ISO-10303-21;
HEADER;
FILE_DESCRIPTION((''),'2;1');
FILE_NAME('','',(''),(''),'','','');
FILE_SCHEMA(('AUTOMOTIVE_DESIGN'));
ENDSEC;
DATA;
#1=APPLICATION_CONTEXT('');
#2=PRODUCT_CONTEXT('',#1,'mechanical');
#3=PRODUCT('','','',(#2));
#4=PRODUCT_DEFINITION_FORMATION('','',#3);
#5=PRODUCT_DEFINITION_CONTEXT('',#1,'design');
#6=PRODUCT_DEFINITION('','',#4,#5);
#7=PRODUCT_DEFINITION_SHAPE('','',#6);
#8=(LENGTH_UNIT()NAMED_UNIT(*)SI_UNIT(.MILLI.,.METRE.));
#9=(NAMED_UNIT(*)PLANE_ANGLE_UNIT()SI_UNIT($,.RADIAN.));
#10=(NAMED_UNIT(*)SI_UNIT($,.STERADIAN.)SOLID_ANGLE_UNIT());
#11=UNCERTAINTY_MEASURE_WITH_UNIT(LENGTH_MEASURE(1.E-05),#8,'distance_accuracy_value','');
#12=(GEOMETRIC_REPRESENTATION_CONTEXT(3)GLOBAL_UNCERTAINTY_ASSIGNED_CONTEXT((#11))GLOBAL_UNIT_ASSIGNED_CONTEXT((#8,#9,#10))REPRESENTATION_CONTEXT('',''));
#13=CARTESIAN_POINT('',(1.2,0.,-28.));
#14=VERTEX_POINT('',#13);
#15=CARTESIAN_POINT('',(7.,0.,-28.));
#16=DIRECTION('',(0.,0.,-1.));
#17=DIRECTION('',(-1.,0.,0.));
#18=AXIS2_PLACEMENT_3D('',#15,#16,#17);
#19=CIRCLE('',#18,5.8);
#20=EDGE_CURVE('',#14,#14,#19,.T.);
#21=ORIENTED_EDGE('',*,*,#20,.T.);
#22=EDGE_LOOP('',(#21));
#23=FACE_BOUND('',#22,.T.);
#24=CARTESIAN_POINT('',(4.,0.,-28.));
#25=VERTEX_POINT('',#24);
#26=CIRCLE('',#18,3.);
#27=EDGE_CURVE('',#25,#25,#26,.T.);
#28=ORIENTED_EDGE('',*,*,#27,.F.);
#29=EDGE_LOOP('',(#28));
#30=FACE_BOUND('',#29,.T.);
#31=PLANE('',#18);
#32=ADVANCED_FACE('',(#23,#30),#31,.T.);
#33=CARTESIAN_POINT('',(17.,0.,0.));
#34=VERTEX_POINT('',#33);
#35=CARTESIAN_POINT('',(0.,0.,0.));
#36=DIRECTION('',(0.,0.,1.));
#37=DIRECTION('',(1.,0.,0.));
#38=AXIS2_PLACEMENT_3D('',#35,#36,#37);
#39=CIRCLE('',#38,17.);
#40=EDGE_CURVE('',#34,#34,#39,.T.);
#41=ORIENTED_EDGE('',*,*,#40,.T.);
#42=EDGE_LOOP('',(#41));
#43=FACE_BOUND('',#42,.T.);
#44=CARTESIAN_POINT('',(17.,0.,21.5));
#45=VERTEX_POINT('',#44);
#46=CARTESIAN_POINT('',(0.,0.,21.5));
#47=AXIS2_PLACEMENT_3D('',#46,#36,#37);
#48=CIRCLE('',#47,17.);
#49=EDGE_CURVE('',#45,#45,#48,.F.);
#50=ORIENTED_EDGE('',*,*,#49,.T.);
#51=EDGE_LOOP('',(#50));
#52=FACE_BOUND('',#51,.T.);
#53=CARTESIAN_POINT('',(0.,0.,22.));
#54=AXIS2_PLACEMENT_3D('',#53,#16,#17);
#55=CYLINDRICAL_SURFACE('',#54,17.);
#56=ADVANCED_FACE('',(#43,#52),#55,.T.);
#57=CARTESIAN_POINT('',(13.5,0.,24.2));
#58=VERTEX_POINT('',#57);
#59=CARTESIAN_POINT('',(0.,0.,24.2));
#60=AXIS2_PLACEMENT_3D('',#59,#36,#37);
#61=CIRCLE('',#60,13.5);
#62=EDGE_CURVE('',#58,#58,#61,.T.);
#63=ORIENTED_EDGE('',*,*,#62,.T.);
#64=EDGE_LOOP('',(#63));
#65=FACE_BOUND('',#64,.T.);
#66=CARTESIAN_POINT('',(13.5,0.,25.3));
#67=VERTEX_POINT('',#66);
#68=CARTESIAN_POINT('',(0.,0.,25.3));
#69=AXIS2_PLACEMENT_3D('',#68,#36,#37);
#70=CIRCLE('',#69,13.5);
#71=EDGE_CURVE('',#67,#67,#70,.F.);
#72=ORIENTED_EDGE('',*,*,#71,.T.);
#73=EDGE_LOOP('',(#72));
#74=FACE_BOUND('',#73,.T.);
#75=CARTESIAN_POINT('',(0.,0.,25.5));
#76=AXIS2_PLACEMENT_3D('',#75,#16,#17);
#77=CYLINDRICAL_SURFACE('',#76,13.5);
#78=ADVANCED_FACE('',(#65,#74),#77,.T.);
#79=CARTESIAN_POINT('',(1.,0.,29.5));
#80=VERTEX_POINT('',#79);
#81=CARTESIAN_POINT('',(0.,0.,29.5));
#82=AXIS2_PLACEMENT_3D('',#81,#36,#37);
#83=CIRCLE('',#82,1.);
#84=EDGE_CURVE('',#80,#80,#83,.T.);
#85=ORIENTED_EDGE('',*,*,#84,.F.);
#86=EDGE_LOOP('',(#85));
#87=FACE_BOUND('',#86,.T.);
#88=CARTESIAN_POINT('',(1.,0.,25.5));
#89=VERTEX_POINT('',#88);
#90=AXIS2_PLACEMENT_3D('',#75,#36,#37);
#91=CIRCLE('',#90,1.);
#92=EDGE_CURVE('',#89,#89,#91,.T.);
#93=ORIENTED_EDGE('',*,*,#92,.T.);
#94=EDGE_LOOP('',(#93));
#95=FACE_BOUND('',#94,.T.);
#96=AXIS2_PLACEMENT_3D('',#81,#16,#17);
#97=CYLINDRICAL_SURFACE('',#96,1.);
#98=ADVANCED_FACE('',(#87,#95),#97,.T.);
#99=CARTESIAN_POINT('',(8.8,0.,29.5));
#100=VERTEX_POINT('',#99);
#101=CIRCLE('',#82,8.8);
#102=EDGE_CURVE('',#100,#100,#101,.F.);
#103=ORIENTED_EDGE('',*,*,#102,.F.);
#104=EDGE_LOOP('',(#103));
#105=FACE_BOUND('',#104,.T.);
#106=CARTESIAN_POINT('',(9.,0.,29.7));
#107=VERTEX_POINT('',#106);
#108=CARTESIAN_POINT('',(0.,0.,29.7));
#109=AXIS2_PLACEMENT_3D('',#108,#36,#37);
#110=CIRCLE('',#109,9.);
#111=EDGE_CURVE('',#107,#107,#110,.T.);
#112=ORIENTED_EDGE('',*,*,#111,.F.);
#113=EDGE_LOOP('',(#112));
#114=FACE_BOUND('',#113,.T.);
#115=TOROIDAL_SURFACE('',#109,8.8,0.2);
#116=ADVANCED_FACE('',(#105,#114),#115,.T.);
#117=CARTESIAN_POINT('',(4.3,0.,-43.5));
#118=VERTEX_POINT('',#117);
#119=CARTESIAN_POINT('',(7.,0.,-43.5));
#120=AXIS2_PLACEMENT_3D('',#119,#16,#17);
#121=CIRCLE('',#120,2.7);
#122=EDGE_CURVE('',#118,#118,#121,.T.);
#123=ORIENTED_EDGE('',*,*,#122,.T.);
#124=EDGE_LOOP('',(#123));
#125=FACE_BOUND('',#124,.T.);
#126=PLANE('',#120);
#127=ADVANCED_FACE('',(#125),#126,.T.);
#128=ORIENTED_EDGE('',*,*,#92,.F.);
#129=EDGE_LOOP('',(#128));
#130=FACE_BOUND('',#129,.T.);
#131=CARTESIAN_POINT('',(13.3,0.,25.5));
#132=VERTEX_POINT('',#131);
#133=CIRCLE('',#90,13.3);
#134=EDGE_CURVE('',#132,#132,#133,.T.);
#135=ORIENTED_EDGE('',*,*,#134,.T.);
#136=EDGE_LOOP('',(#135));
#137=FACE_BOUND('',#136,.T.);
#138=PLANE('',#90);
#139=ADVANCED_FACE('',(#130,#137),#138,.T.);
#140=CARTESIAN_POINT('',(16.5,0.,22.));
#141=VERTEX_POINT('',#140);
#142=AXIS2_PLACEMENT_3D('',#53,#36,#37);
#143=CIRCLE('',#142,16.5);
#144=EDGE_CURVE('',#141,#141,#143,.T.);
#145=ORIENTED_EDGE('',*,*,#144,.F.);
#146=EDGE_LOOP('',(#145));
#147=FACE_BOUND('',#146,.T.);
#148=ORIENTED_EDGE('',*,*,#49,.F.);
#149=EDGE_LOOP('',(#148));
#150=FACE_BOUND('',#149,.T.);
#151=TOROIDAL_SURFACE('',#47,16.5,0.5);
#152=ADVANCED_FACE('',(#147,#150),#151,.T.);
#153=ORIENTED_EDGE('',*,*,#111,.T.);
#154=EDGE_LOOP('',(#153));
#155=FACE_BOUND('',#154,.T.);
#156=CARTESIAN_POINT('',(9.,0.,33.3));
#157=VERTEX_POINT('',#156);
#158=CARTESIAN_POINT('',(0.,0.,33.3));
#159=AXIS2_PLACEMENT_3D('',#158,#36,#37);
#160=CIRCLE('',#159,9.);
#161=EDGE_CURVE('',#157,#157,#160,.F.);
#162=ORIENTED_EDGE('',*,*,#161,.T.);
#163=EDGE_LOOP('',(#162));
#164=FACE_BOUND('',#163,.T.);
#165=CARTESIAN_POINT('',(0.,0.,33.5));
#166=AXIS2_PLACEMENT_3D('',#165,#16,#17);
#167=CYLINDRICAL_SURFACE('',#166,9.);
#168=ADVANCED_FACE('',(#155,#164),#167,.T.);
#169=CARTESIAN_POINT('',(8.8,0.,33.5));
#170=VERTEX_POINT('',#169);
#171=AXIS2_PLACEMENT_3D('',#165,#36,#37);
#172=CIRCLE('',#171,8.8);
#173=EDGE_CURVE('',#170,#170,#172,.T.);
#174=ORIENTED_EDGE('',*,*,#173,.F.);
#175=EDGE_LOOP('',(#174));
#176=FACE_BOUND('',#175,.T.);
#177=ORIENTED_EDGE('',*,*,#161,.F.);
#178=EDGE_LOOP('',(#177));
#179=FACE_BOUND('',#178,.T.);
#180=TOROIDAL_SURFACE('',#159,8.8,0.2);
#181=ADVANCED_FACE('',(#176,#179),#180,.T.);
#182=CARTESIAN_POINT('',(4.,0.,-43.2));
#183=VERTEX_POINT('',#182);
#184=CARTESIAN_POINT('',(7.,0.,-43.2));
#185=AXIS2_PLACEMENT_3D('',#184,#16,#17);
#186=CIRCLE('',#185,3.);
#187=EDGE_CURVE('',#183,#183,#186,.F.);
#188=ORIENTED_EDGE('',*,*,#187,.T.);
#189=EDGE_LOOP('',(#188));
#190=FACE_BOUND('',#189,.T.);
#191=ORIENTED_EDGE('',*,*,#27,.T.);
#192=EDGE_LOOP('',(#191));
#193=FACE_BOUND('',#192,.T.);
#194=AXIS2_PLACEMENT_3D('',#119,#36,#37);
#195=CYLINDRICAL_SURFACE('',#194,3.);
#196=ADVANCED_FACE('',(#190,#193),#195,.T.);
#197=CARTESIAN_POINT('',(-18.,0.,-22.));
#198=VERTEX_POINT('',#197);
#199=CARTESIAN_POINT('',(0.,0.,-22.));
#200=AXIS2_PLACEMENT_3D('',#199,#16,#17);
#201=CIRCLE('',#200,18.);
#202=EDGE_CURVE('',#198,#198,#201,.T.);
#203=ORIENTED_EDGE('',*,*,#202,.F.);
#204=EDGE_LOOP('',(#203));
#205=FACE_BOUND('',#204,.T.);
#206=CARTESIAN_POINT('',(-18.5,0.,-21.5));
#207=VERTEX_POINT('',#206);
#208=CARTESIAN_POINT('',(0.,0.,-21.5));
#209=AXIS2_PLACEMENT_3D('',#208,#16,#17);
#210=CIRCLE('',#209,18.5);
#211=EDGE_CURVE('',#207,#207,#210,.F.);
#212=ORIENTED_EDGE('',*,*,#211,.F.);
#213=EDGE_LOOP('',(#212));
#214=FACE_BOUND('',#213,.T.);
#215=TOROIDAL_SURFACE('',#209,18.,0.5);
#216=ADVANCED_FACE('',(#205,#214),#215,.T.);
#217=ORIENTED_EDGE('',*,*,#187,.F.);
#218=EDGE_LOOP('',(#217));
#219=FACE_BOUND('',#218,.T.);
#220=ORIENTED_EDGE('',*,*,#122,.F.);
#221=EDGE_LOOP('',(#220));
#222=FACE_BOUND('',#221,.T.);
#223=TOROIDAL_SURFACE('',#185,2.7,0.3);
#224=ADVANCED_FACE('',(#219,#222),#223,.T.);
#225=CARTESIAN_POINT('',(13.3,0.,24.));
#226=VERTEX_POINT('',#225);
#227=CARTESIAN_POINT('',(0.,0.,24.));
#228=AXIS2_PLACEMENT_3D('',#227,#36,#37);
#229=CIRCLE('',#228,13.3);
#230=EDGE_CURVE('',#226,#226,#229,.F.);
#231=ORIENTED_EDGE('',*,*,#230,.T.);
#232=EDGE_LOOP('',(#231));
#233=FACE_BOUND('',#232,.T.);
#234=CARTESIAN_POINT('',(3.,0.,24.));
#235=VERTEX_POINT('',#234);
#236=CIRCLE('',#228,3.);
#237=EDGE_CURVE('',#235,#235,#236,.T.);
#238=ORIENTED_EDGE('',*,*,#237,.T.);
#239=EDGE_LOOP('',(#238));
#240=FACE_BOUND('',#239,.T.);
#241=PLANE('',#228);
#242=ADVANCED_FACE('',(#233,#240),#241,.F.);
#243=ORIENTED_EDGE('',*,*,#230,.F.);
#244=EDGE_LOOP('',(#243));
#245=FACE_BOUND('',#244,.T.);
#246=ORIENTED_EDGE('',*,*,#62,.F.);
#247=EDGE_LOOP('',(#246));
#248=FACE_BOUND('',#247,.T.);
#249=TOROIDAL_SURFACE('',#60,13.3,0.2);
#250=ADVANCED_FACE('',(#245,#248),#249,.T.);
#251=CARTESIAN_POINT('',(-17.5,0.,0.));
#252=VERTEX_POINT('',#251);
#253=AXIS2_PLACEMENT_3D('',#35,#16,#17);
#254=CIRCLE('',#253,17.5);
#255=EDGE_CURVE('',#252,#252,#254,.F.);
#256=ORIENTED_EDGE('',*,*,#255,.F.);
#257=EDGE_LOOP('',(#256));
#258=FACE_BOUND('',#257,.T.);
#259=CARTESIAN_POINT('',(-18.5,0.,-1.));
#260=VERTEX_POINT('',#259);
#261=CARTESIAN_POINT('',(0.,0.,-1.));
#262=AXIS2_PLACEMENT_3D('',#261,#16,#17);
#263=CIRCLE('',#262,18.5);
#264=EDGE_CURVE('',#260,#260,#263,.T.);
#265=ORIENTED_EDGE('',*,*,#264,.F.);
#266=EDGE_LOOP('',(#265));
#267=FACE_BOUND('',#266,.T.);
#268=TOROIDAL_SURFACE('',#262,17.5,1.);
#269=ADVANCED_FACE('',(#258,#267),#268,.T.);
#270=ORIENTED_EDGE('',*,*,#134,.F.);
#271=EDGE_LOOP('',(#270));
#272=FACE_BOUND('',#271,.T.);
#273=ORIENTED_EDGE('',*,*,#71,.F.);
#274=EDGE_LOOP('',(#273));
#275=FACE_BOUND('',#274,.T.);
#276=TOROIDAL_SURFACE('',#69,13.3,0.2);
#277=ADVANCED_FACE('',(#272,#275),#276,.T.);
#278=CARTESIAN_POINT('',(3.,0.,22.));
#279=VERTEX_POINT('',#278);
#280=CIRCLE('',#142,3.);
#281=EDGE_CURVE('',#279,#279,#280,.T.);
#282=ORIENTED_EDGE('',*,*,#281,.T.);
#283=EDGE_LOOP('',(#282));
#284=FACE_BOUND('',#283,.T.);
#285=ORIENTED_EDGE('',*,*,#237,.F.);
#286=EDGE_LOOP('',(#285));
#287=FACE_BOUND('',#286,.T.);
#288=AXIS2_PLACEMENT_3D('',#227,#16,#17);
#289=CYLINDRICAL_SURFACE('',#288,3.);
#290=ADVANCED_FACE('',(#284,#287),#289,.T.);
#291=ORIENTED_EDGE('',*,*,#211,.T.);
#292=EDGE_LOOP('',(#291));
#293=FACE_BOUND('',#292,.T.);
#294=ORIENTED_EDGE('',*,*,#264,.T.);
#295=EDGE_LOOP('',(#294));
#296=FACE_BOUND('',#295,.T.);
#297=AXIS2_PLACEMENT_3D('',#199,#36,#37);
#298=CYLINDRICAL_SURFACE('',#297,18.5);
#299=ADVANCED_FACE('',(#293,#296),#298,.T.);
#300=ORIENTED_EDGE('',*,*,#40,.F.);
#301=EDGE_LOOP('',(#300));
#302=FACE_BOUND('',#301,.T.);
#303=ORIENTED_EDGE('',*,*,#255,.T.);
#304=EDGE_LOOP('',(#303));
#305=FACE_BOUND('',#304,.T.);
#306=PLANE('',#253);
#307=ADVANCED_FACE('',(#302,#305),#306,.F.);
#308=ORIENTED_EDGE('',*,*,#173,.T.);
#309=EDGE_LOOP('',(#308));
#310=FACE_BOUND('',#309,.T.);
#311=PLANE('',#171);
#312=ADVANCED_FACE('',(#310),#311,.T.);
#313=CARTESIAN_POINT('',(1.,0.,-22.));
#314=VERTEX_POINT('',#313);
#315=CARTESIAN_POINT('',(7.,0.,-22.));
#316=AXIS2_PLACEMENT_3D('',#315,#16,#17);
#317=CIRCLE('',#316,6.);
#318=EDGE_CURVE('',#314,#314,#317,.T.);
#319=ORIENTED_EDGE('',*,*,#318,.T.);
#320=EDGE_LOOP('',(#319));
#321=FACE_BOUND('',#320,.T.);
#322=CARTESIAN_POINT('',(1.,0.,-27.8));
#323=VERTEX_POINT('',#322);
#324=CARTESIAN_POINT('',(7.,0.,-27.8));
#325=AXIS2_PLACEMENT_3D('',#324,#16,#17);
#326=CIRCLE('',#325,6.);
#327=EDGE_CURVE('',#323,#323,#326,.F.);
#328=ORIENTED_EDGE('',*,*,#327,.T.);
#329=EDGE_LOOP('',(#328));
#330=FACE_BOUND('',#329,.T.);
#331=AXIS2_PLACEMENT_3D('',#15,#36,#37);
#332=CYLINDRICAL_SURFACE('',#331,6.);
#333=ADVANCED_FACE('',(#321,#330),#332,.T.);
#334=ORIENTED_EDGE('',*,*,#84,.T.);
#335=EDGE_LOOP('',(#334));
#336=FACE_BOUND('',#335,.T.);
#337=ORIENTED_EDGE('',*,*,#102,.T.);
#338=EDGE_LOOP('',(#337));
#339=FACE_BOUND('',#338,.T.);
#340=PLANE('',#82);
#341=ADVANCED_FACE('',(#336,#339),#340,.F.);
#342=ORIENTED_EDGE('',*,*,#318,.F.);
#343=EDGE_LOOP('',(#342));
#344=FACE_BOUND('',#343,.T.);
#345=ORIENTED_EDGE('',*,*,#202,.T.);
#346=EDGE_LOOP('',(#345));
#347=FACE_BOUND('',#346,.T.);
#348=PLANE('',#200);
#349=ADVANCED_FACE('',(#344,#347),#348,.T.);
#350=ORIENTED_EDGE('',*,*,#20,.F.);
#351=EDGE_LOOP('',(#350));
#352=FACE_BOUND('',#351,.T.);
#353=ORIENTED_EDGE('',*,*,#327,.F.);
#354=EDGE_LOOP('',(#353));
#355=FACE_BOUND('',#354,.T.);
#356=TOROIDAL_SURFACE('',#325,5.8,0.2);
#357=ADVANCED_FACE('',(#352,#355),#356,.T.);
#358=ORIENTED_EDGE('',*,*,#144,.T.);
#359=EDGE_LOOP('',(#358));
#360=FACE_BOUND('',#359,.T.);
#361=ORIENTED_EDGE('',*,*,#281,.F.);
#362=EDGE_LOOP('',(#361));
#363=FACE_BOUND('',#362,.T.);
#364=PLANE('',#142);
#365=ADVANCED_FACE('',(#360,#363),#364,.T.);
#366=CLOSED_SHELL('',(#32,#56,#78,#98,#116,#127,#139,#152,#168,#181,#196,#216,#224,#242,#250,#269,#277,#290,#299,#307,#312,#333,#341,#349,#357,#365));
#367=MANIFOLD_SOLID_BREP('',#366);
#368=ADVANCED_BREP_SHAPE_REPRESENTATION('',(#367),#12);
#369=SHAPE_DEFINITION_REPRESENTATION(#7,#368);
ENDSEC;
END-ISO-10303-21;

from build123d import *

# Parameters (mm, degrees)
SKETCH_1_R       = 17
EXTRUDE_2_DEPTH  = 22
SKETCH_3_R       = 18.5
EXTRUDE_4_DEPTH  = 22
SKETCH_4_R       = 6
EXTRUDE_5_DEPTH  = 6
SKETCH_5_R       = 3
EXTRUDE_6_DEPTH  = 15.5
SKETCH_14_R      = 3
EXTRUDE_7_DEPTH  = 2
SKETCH_16_R      = 13.5
EXTRUDE_8_DEPTH  = 1.5
SKETCH_17_R      = 1
EXTRUDE_9_DEPTH  = 4
SKETCH_18_R      = 9
EXTRUDE_10_DEPTH = 4
FILLET_2_R       = 0.5
FILLET_3_R       = 0.5
FILLET_4_R       = 0.2
FILLET_5_R       = 0.2
FILLET_6_R       = 0.2
FILLET_7_R       = 0.2
FILLET_8_R       = 0.2
FILLET_9_R       = 0.3
FILLET_10_R      = 1


with BuildPart() as part:
    # 草图1 → 凸台-拉伸2 (new body)
    with BuildSketch(Plane.XY):
        Circle(SKETCH_1_R)
    extrude(amount=EXTRUDE_2_DEPTH)

    # 草图3 → 凸台-拉伸4 (add)
    with BuildSketch(Plane(origin=(0, 0, 0), x_dir=(-1, 0, 0), z_dir=(0, 0, -1))):
        Circle(SKETCH_3_R)
    extrude(amount=EXTRUDE_4_DEPTH)

    # 草图4 → 凸台-拉伸5 (add)
    with BuildSketch(Plane(origin=(0, 0, -22), x_dir=(-1, 0, 0), z_dir=(0, 0, -1))):
        with Locations((-7, 0)):
            Circle(SKETCH_4_R)
    extrude(amount=EXTRUDE_5_DEPTH)

    # 草图5 → 凸台-拉伸6 (add)
    with BuildSketch(Plane(origin=(0, 0, -28), x_dir=(-1, 0, 0), z_dir=(0, 0, -1))):
        with Locations((-7, 0)):
            Circle(SKETCH_5_R)
    extrude(amount=EXTRUDE_6_DEPTH)

    # 草图14 → 凸台-拉伸7 (add)
    with BuildSketch(Plane.XY.offset(22)):
        Circle(SKETCH_14_R)
    extrude(amount=EXTRUDE_7_DEPTH)

    # 草图16 → 凸台-拉伸8 (add)
    with BuildSketch(Plane.XY.offset(24)):
        Circle(SKETCH_16_R)
    extrude(amount=EXTRUDE_8_DEPTH)

    # 草图17 → 凸台-拉伸9 (add)
    with BuildSketch(Plane.XY.offset(25.5)):
        Circle(SKETCH_17_R)
    extrude(amount=EXTRUDE_9_DEPTH)

    # 草图18 → 凸台-拉伸10 (add)
    with BuildSketch(Plane.XY.offset(29.5)):
        Circle(SKETCH_18_R)
    extrude(amount=EXTRUDE_10_DEPTH)

    # 圆角2
    fillet_2_edges = [part.edges().sort_by_distance(p)[0] for p in [
        (-17, 0, 22),
    ]]
    fillet(fillet_2_edges, radius=FILLET_2_R)

    # 圆角3
    fillet_3_edges = [part.edges().sort_by_distance(p)[0] for p in [
        (18.5, 0, -22),
    ]]
    fillet(fillet_3_edges, radius=FILLET_3_R)

    # 圆角4
    fillet_4_edges = [part.edges().sort_by_distance(p)[0] for p in [
        (-13.5, 0, 25.5),
    ]]
    fillet(fillet_4_edges, radius=FILLET_4_R)

    # 圆角5
    fillet_5_edges = [part.edges().sort_by_distance(p)[0] for p in [
        (-13.5, 0, 24),
    ]]
    fillet(fillet_5_edges, radius=FILLET_5_R)

    # 圆角6
    fillet_6_edges = [part.edges().sort_by_distance(p)[0] for p in [
        (-9, 0, 33.5),
    ]]
    fillet(fillet_6_edges, radius=FILLET_6_R)

    # 圆角7
    fillet_7_edges = [part.edges().sort_by_distance(p)[0] for p in [
        (-9, 0, 29.5),
    ]]
    fillet(fillet_7_edges, radius=FILLET_7_R)

    # 圆角8
    fillet_8_edges = [part.edges().sort_by_distance(p)[0] for p in [
        (13, 0, -28),
    ]]
    fillet(fillet_8_edges, radius=FILLET_8_R)

    # 圆角9
    fillet_9_edges = [part.edges().sort_by_distance(p)[0] for p in [
        (10, 0, -43.5),
    ]]
    fillet(fillet_9_edges, radius=FILLET_9_R)

    # 圆角10
    fillet_10_edges = [part.edges().sort_by_distance(p)[0] for p in [
        (18.5, 0, 0),
    ]]
    fillet(fillet_10_edges, radius=FILLET_10_R)


solid = part.part
